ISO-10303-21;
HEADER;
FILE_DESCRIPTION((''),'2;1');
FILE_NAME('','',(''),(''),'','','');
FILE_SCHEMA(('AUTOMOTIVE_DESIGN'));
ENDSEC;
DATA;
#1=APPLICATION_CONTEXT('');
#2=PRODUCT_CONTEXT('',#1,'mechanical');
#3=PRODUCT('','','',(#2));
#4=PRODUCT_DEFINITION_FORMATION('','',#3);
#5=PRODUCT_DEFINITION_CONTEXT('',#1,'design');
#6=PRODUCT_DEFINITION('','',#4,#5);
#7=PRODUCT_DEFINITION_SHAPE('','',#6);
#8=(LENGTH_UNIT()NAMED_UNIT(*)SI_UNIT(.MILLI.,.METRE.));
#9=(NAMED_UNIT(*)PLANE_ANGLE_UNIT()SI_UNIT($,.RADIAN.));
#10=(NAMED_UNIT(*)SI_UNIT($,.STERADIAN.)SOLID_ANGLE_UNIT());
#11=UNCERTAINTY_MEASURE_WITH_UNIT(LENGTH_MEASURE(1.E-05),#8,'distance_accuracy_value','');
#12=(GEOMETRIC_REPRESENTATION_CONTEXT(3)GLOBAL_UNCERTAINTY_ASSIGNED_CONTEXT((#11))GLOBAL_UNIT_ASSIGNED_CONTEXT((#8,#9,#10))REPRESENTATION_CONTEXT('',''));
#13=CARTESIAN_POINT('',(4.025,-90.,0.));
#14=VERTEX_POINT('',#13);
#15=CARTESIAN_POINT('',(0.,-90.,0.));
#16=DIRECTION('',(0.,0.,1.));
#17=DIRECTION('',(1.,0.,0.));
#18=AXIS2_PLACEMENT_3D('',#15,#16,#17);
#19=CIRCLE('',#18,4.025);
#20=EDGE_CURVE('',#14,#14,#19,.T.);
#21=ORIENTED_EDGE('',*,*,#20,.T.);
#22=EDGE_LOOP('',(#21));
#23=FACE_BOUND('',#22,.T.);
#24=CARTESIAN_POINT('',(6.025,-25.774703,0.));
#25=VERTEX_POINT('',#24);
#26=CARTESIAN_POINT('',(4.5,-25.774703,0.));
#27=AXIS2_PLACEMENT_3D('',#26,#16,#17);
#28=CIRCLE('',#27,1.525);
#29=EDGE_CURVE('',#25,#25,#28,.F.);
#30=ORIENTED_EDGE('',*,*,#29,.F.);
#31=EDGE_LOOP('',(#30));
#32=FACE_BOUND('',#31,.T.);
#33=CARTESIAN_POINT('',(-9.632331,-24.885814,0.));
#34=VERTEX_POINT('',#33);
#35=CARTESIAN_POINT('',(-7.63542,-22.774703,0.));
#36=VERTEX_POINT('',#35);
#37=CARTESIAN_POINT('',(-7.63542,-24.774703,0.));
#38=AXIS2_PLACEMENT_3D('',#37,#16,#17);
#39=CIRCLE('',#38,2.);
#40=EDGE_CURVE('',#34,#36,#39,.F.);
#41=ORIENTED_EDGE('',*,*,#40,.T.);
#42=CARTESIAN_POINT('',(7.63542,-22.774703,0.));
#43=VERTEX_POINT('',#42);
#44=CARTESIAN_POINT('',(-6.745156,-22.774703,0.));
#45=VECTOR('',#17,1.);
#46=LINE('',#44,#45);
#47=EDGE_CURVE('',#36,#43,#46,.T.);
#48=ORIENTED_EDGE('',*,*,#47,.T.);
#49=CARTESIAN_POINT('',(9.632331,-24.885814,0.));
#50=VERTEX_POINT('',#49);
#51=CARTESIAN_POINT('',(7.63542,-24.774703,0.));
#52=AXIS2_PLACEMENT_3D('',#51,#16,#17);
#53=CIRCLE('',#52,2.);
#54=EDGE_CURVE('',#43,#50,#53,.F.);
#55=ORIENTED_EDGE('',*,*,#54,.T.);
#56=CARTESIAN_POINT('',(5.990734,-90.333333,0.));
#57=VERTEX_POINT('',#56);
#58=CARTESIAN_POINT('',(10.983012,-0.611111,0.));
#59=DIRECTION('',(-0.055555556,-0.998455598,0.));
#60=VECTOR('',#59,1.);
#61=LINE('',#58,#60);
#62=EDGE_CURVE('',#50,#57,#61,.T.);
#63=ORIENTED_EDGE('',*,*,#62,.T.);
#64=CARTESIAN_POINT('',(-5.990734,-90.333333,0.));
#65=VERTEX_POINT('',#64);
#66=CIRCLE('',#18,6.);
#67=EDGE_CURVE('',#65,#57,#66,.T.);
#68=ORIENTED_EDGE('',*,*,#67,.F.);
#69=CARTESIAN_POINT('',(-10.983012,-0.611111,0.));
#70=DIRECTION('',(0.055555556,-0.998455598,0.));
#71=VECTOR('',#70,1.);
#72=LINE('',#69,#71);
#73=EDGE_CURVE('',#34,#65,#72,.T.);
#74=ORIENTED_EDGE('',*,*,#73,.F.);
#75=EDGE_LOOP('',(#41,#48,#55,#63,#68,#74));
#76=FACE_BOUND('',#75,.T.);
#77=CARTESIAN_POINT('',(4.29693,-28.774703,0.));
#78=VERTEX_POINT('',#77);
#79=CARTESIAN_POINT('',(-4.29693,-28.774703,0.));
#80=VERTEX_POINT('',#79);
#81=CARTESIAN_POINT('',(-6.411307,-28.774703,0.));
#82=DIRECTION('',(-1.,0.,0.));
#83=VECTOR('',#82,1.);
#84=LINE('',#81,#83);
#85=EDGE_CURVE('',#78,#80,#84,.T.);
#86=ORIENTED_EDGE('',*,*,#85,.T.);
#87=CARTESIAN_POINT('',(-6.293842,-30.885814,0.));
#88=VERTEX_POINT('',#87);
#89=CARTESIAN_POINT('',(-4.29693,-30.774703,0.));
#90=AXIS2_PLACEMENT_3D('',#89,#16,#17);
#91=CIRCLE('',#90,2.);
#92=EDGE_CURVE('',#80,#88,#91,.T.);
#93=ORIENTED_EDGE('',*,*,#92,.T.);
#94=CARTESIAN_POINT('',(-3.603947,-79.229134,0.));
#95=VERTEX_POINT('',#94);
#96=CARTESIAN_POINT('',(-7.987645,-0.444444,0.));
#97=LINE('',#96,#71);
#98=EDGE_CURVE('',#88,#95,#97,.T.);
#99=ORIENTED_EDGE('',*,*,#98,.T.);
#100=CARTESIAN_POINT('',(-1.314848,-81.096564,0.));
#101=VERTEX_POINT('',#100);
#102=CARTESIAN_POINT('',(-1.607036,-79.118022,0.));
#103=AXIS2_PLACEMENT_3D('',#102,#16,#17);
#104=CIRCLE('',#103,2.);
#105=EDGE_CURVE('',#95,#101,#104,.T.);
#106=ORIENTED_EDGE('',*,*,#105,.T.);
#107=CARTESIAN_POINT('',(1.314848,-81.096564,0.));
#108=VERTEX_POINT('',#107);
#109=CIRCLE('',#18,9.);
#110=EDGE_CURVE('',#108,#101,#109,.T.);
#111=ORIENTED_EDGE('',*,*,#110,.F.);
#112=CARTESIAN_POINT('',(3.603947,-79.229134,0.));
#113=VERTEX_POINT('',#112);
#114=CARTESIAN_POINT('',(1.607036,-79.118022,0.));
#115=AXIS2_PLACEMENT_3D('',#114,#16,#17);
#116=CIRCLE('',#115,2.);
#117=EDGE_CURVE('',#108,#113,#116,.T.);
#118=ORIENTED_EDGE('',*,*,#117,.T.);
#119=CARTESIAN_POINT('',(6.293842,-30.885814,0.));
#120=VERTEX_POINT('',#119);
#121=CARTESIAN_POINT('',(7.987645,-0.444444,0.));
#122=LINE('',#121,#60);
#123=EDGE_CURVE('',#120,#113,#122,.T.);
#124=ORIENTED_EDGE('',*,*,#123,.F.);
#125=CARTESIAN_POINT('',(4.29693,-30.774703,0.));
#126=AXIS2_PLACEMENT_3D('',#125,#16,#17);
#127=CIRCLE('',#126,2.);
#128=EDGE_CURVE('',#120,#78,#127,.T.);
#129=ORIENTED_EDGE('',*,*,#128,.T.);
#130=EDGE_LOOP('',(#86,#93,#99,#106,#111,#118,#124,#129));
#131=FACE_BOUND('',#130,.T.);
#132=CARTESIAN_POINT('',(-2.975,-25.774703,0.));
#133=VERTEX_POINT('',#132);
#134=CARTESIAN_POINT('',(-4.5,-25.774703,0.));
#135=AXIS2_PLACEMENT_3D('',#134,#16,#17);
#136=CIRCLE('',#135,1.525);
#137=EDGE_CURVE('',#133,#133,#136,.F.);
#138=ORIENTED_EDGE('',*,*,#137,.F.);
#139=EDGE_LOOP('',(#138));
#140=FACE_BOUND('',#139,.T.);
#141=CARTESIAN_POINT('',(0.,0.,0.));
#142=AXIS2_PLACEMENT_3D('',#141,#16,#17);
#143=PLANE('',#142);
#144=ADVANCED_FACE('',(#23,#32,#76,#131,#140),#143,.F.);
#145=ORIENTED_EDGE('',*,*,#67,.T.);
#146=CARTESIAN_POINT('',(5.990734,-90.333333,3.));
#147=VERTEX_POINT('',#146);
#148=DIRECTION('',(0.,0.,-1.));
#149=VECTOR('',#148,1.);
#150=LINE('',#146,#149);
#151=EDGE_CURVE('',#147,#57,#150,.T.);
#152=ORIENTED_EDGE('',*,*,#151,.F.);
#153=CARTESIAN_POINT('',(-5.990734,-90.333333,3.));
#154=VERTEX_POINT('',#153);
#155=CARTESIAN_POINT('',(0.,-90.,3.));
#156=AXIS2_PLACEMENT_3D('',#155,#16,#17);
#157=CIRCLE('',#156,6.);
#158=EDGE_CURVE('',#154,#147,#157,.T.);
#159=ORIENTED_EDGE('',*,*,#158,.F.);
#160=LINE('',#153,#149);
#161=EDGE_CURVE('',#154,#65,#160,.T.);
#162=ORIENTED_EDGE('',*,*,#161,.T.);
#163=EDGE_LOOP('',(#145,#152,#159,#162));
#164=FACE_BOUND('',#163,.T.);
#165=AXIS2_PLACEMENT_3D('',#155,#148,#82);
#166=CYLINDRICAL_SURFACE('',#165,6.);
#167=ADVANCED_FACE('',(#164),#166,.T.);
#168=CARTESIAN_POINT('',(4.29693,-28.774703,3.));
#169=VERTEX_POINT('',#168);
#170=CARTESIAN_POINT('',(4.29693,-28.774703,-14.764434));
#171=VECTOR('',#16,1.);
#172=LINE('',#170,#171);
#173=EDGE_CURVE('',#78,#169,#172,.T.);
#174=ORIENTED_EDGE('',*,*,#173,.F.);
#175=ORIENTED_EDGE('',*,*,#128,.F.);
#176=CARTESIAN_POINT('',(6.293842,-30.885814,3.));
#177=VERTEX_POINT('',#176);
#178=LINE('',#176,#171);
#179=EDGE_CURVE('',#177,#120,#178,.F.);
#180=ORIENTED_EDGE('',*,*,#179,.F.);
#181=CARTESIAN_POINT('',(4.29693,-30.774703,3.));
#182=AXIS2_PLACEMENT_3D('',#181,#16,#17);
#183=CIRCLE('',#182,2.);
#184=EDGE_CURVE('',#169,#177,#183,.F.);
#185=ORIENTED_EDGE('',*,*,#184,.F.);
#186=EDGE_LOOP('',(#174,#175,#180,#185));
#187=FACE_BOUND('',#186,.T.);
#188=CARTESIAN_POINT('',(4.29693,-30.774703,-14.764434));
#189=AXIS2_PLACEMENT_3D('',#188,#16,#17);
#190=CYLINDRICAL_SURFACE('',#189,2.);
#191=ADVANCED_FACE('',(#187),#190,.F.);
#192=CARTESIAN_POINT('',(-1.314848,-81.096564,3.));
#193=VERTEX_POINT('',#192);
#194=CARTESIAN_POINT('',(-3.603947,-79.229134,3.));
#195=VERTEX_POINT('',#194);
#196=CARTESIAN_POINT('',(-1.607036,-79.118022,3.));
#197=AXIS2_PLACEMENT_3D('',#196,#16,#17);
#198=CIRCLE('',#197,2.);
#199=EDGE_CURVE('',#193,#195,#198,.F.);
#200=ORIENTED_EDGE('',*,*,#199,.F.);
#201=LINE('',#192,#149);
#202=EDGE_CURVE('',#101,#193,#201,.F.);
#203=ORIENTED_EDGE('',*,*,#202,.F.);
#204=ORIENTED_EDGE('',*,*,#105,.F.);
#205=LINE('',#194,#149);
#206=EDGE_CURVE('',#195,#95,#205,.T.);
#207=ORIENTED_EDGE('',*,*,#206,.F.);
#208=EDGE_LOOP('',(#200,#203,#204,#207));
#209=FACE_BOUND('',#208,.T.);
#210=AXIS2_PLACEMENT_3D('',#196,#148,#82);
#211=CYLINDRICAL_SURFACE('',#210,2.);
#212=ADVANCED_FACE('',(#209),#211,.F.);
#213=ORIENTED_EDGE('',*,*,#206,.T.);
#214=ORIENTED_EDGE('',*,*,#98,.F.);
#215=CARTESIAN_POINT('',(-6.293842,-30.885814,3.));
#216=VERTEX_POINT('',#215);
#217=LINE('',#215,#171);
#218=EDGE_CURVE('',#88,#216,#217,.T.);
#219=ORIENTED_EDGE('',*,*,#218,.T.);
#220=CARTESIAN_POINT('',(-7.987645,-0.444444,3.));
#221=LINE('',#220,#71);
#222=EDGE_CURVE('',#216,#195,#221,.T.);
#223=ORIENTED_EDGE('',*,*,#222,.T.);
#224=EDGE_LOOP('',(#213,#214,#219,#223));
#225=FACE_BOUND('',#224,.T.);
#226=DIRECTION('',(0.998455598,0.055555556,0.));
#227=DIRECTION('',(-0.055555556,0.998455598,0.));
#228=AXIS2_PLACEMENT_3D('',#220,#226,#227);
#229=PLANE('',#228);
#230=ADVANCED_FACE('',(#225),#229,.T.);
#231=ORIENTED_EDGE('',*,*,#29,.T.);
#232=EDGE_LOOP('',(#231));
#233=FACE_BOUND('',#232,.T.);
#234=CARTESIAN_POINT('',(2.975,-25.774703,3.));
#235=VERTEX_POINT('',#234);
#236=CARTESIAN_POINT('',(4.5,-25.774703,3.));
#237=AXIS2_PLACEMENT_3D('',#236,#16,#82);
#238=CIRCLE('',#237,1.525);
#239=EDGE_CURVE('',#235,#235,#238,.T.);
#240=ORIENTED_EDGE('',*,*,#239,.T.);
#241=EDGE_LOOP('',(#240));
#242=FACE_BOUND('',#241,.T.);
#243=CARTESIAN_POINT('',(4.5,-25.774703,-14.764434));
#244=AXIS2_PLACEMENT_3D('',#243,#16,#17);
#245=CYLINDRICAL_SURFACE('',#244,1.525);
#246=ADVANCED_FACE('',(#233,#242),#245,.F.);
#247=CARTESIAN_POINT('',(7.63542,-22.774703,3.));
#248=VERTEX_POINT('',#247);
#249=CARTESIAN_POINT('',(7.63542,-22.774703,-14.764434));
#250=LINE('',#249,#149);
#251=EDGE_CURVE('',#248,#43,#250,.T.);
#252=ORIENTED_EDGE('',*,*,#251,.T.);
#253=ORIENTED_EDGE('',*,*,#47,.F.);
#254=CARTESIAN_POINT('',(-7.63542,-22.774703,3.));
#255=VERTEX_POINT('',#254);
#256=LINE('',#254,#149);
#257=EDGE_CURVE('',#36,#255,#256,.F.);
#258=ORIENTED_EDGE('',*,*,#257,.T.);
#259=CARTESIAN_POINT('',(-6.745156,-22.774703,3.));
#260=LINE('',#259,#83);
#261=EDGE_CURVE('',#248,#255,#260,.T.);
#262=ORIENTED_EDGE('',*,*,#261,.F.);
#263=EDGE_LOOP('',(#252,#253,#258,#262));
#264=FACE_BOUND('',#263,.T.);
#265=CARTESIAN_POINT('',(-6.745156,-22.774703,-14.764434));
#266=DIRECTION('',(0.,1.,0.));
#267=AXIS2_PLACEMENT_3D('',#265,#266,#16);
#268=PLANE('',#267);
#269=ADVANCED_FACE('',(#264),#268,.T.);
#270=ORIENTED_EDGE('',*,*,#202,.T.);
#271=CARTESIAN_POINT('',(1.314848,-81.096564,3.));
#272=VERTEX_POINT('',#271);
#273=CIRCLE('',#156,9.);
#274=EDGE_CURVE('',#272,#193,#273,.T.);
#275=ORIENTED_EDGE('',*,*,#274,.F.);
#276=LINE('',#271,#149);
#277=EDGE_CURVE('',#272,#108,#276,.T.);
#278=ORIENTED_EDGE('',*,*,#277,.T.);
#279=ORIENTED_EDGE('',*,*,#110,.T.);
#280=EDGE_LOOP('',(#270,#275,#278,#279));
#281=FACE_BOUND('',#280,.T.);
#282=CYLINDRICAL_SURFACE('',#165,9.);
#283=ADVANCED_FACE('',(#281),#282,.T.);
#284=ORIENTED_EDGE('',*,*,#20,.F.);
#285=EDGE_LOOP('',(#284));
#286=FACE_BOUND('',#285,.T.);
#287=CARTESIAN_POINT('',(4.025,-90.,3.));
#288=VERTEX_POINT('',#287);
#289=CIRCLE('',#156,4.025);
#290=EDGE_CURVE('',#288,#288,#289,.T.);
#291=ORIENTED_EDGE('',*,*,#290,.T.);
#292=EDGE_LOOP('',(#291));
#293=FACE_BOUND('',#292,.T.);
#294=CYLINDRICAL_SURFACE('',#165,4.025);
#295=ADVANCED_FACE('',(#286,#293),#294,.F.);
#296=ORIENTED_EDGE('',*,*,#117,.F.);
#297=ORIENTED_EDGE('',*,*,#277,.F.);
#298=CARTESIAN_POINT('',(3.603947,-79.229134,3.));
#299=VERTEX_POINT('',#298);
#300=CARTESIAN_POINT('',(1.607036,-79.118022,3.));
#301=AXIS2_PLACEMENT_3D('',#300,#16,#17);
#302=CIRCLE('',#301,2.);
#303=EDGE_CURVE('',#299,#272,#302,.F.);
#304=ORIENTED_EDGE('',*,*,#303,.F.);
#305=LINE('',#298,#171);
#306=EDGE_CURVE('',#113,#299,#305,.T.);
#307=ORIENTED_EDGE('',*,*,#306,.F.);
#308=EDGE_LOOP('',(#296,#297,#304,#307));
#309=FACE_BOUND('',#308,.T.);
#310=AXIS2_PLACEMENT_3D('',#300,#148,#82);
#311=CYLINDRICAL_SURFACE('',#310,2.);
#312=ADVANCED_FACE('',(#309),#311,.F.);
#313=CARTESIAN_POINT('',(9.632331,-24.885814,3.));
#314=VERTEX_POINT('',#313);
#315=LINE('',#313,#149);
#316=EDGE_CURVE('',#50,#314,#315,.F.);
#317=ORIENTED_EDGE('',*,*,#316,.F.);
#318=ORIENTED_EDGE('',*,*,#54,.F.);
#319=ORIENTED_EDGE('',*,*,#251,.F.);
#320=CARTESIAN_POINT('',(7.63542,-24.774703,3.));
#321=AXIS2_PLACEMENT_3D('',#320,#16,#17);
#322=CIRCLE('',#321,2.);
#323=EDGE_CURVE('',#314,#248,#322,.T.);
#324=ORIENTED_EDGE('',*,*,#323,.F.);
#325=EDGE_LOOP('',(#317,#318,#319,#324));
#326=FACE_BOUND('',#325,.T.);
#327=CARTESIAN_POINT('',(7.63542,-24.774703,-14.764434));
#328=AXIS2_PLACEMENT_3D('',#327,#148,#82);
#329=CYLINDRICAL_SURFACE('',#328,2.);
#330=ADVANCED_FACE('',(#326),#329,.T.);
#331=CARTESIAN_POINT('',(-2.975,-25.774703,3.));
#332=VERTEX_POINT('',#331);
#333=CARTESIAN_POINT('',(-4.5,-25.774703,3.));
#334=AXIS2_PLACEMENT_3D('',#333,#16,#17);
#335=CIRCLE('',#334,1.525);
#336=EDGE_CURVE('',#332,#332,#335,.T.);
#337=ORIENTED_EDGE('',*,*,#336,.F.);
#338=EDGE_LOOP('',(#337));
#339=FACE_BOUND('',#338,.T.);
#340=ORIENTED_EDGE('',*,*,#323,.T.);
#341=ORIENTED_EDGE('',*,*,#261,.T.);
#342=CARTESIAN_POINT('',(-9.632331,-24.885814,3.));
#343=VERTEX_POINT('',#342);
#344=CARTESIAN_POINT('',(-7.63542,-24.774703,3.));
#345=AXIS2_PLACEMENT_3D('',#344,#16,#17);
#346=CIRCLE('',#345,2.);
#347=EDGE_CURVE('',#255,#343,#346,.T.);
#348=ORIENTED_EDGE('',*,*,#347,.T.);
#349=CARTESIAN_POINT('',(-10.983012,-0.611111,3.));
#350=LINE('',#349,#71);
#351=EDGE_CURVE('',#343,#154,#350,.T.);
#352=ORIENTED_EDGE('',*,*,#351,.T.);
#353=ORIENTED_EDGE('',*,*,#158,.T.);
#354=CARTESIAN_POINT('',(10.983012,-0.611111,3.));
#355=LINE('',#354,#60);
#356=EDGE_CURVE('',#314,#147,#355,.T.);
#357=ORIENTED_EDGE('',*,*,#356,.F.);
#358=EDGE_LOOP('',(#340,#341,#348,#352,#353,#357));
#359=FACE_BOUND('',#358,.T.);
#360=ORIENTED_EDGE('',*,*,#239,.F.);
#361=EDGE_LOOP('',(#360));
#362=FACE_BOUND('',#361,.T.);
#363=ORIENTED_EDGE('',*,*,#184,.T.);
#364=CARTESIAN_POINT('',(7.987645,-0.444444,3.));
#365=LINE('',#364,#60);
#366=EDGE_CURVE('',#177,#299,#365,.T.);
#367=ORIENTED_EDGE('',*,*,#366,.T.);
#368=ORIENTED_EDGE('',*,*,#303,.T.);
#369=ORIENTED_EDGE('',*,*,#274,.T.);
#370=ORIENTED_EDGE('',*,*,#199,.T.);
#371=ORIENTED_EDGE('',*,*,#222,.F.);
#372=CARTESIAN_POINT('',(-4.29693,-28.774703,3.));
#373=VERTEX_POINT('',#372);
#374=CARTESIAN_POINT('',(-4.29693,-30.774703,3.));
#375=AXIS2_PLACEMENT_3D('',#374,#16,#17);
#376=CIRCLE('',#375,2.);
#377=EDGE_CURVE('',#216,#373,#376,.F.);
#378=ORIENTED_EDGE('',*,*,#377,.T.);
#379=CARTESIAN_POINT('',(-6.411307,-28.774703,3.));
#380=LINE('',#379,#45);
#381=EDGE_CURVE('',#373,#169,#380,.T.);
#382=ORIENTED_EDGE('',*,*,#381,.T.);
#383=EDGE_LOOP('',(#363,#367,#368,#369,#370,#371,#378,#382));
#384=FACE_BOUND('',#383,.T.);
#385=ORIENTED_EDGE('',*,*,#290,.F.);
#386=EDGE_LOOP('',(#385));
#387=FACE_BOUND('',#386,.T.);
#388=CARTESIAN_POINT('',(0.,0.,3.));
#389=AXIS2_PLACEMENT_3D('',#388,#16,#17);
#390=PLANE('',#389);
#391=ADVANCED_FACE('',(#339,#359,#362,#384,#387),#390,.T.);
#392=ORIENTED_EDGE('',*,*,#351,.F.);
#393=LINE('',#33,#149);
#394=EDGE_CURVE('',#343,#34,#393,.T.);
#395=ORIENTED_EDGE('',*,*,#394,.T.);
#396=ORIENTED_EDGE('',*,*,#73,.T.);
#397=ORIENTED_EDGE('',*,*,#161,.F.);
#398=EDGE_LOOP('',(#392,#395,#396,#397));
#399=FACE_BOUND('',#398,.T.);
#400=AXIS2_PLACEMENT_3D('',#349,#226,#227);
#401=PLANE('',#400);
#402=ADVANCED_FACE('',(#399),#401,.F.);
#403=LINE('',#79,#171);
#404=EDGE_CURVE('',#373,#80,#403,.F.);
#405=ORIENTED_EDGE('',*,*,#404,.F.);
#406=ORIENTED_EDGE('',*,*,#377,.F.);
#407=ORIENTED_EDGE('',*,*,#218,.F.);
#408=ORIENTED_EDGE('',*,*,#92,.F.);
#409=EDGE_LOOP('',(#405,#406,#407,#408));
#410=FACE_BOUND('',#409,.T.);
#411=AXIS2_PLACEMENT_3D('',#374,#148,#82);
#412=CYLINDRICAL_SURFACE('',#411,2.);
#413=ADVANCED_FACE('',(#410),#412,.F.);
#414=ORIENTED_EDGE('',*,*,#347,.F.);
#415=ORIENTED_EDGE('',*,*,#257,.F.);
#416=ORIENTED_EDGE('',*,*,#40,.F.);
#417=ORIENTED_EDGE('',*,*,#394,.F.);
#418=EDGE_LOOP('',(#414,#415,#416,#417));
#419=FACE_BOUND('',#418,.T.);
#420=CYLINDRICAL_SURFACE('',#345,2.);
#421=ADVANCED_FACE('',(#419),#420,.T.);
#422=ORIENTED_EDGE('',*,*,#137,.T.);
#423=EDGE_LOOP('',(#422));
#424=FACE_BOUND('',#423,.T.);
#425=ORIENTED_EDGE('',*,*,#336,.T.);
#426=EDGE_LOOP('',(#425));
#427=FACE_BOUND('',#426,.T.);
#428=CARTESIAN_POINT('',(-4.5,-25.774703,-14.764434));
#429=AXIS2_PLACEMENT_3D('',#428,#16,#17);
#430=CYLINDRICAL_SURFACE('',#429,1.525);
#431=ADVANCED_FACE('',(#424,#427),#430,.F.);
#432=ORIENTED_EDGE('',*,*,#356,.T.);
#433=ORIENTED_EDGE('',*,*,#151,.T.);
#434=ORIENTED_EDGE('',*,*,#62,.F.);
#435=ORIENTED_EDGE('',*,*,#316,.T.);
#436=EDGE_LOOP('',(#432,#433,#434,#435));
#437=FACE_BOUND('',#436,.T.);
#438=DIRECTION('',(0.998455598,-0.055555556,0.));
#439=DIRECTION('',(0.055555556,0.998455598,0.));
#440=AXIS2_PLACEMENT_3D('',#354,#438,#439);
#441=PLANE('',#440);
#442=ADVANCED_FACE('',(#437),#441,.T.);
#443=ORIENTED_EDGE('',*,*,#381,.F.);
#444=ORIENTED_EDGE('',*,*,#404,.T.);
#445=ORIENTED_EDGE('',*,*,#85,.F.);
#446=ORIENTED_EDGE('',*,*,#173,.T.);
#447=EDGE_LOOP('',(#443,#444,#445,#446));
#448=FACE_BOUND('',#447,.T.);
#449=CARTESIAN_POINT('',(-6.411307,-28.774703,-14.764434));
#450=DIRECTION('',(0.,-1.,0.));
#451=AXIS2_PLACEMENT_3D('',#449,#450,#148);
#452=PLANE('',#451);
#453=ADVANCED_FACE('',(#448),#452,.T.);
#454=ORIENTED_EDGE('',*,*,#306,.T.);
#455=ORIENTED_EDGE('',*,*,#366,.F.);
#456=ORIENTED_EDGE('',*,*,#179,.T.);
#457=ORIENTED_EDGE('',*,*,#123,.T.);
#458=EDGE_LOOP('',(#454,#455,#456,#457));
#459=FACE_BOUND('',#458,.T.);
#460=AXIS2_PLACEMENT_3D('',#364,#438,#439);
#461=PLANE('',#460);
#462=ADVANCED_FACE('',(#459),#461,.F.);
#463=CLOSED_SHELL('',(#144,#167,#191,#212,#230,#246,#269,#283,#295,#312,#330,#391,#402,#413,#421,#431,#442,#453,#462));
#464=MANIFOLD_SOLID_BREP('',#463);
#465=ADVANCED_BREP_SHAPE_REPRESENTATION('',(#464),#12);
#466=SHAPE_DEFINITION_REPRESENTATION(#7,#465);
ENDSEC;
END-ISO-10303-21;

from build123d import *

# Parameters (mm, degrees)
SKETCH_1_R          = 11
SKETCH_1_R_2        = 3.5
SKETCH_1_R_3        = 1.01
SKETCH_1_R_4        = 6
SKETCH_1_R_5        = 4.025
EXTRUDE_1_DEPTH     = 3
SKETCH_2_R          = 1.525
EXTRUDE_2_DEPTH     = 3
SKETCH_3_W          = 24.553172336
SKETCH_3_H          = 36.576889883
CUT_EXTRUDE_1_DEPTH = 10
FILLET_1_R          = 2


with BuildPart() as part:
    # 草图1 → 凸台-拉伸1 (new body)
    # profile 1 of 3: a face of its own
    with BuildSketch(Plane.XY):
        with BuildLine():
            ThreePointArc((10.983011573, -0.611111111), (0, -11), (-10.983011573, -0.611111111))
            Line((-10.983011573, -0.611111111), (-5.990733585, -90.333333333))
            ThreePointArc((-5.990733585, -90.333333333), (-0.166731054, -84.002317051), (6, -90))
            ThreePointArc((6, -90), (5.997682949, -90.166731054), (5.990733585, -90.333333333))
            Line((5.990733585, -90.333333333), (10.983011573, -0.611111111))
        make_face()
        with BuildLine():
            Line((-3.466771313, -81.694489982), (-7.418369738, -10.675569794))
            ThreePointArc((-7.418369738, -10.675569794), (0, -13), (7.418369738, -10.675569794))
            Line((7.418369738, -10.675569794), (3.466771313, -81.694489982))
            ThreePointArc((3.466771313, -81.694489982), (0, -81), (-3.466771313, -81.694489982))
        make_face(mode=Mode.SUBTRACT)
    # profile 2 of 3: a face of its own
    with BuildSketch(Plane.XY):
        Circle(SKETCH_1_R)
        Circle(SKETCH_1_R_2, mode=Mode.SUBTRACT)
        with Locations((-2.75, 4.763139721)):
            Circle(SKETCH_1_R_3, mode=Mode.SUBTRACT)
        with Locations((-2.75, -4.763139721)):
            Circle(SKETCH_1_R_3, mode=Mode.SUBTRACT)
        with Locations((5.5, 0)):
            Circle(SKETCH_1_R_3, mode=Mode.SUBTRACT)
    # profile 3 of 3: a face of its own
    with BuildSketch(Plane.XY):
        with Locations((0, -90)):
            Circle(SKETCH_1_R_4)
        with Locations((0, -90)):
            Circle(SKETCH_1_R_5, mode=Mode.SUBTRACT)
    extrude(amount=EXTRUDE_1_DEPTH)

    # 草图2 → 凸台-拉伸2 (add)
    with BuildSketch(Plane.XY.offset(3)):
        Polygon((-6.745155967, -22.774702841), (6.745155967, -22.774702841), (6.411307036, -28.774702841), (-6.411307036, -28.774702841), align=None)
        with Locations((-4.5, -25.774702841)):
            Circle(SKETCH_2_R, mode=Mode.SUBTRACT)
        with Locations((4.5, -25.774702841)):
            Circle(SKETCH_2_R, mode=Mode.SUBTRACT)
    extrude(amount=-EXTRUDE_2_DEPTH)

    # 草图3 → 切除-拉伸1 (cut)
    with BuildSketch(Plane.XY.offset(3)):
        with Locations((0.16395552, -4.486257899)):
            Rectangle(SKETCH_3_W, SKETCH_3_H)
    extrude(amount=-CUT_EXTRUDE_1_DEPTH, mode=Mode.SUBTRACT)

    # 圆角1
    fillet_1_edges = [part.edges().sort_by_distance(p)[0] for p in [
        (-3.466771313, -81.694489982, 1.5),
        (3.466771313, -81.694489982, 1.5),
        (6.411307036, -28.774702841, 1.5),
        (-6.411307036, -28.774702841, 1.5),
        (-9.749796341, -22.774702841, 1.5),
        (9.749796341, -22.774702841, 1.5),
    ]]
    fillet(fillet_1_edges, radius=FILLET_1_R)


solid = part.part
